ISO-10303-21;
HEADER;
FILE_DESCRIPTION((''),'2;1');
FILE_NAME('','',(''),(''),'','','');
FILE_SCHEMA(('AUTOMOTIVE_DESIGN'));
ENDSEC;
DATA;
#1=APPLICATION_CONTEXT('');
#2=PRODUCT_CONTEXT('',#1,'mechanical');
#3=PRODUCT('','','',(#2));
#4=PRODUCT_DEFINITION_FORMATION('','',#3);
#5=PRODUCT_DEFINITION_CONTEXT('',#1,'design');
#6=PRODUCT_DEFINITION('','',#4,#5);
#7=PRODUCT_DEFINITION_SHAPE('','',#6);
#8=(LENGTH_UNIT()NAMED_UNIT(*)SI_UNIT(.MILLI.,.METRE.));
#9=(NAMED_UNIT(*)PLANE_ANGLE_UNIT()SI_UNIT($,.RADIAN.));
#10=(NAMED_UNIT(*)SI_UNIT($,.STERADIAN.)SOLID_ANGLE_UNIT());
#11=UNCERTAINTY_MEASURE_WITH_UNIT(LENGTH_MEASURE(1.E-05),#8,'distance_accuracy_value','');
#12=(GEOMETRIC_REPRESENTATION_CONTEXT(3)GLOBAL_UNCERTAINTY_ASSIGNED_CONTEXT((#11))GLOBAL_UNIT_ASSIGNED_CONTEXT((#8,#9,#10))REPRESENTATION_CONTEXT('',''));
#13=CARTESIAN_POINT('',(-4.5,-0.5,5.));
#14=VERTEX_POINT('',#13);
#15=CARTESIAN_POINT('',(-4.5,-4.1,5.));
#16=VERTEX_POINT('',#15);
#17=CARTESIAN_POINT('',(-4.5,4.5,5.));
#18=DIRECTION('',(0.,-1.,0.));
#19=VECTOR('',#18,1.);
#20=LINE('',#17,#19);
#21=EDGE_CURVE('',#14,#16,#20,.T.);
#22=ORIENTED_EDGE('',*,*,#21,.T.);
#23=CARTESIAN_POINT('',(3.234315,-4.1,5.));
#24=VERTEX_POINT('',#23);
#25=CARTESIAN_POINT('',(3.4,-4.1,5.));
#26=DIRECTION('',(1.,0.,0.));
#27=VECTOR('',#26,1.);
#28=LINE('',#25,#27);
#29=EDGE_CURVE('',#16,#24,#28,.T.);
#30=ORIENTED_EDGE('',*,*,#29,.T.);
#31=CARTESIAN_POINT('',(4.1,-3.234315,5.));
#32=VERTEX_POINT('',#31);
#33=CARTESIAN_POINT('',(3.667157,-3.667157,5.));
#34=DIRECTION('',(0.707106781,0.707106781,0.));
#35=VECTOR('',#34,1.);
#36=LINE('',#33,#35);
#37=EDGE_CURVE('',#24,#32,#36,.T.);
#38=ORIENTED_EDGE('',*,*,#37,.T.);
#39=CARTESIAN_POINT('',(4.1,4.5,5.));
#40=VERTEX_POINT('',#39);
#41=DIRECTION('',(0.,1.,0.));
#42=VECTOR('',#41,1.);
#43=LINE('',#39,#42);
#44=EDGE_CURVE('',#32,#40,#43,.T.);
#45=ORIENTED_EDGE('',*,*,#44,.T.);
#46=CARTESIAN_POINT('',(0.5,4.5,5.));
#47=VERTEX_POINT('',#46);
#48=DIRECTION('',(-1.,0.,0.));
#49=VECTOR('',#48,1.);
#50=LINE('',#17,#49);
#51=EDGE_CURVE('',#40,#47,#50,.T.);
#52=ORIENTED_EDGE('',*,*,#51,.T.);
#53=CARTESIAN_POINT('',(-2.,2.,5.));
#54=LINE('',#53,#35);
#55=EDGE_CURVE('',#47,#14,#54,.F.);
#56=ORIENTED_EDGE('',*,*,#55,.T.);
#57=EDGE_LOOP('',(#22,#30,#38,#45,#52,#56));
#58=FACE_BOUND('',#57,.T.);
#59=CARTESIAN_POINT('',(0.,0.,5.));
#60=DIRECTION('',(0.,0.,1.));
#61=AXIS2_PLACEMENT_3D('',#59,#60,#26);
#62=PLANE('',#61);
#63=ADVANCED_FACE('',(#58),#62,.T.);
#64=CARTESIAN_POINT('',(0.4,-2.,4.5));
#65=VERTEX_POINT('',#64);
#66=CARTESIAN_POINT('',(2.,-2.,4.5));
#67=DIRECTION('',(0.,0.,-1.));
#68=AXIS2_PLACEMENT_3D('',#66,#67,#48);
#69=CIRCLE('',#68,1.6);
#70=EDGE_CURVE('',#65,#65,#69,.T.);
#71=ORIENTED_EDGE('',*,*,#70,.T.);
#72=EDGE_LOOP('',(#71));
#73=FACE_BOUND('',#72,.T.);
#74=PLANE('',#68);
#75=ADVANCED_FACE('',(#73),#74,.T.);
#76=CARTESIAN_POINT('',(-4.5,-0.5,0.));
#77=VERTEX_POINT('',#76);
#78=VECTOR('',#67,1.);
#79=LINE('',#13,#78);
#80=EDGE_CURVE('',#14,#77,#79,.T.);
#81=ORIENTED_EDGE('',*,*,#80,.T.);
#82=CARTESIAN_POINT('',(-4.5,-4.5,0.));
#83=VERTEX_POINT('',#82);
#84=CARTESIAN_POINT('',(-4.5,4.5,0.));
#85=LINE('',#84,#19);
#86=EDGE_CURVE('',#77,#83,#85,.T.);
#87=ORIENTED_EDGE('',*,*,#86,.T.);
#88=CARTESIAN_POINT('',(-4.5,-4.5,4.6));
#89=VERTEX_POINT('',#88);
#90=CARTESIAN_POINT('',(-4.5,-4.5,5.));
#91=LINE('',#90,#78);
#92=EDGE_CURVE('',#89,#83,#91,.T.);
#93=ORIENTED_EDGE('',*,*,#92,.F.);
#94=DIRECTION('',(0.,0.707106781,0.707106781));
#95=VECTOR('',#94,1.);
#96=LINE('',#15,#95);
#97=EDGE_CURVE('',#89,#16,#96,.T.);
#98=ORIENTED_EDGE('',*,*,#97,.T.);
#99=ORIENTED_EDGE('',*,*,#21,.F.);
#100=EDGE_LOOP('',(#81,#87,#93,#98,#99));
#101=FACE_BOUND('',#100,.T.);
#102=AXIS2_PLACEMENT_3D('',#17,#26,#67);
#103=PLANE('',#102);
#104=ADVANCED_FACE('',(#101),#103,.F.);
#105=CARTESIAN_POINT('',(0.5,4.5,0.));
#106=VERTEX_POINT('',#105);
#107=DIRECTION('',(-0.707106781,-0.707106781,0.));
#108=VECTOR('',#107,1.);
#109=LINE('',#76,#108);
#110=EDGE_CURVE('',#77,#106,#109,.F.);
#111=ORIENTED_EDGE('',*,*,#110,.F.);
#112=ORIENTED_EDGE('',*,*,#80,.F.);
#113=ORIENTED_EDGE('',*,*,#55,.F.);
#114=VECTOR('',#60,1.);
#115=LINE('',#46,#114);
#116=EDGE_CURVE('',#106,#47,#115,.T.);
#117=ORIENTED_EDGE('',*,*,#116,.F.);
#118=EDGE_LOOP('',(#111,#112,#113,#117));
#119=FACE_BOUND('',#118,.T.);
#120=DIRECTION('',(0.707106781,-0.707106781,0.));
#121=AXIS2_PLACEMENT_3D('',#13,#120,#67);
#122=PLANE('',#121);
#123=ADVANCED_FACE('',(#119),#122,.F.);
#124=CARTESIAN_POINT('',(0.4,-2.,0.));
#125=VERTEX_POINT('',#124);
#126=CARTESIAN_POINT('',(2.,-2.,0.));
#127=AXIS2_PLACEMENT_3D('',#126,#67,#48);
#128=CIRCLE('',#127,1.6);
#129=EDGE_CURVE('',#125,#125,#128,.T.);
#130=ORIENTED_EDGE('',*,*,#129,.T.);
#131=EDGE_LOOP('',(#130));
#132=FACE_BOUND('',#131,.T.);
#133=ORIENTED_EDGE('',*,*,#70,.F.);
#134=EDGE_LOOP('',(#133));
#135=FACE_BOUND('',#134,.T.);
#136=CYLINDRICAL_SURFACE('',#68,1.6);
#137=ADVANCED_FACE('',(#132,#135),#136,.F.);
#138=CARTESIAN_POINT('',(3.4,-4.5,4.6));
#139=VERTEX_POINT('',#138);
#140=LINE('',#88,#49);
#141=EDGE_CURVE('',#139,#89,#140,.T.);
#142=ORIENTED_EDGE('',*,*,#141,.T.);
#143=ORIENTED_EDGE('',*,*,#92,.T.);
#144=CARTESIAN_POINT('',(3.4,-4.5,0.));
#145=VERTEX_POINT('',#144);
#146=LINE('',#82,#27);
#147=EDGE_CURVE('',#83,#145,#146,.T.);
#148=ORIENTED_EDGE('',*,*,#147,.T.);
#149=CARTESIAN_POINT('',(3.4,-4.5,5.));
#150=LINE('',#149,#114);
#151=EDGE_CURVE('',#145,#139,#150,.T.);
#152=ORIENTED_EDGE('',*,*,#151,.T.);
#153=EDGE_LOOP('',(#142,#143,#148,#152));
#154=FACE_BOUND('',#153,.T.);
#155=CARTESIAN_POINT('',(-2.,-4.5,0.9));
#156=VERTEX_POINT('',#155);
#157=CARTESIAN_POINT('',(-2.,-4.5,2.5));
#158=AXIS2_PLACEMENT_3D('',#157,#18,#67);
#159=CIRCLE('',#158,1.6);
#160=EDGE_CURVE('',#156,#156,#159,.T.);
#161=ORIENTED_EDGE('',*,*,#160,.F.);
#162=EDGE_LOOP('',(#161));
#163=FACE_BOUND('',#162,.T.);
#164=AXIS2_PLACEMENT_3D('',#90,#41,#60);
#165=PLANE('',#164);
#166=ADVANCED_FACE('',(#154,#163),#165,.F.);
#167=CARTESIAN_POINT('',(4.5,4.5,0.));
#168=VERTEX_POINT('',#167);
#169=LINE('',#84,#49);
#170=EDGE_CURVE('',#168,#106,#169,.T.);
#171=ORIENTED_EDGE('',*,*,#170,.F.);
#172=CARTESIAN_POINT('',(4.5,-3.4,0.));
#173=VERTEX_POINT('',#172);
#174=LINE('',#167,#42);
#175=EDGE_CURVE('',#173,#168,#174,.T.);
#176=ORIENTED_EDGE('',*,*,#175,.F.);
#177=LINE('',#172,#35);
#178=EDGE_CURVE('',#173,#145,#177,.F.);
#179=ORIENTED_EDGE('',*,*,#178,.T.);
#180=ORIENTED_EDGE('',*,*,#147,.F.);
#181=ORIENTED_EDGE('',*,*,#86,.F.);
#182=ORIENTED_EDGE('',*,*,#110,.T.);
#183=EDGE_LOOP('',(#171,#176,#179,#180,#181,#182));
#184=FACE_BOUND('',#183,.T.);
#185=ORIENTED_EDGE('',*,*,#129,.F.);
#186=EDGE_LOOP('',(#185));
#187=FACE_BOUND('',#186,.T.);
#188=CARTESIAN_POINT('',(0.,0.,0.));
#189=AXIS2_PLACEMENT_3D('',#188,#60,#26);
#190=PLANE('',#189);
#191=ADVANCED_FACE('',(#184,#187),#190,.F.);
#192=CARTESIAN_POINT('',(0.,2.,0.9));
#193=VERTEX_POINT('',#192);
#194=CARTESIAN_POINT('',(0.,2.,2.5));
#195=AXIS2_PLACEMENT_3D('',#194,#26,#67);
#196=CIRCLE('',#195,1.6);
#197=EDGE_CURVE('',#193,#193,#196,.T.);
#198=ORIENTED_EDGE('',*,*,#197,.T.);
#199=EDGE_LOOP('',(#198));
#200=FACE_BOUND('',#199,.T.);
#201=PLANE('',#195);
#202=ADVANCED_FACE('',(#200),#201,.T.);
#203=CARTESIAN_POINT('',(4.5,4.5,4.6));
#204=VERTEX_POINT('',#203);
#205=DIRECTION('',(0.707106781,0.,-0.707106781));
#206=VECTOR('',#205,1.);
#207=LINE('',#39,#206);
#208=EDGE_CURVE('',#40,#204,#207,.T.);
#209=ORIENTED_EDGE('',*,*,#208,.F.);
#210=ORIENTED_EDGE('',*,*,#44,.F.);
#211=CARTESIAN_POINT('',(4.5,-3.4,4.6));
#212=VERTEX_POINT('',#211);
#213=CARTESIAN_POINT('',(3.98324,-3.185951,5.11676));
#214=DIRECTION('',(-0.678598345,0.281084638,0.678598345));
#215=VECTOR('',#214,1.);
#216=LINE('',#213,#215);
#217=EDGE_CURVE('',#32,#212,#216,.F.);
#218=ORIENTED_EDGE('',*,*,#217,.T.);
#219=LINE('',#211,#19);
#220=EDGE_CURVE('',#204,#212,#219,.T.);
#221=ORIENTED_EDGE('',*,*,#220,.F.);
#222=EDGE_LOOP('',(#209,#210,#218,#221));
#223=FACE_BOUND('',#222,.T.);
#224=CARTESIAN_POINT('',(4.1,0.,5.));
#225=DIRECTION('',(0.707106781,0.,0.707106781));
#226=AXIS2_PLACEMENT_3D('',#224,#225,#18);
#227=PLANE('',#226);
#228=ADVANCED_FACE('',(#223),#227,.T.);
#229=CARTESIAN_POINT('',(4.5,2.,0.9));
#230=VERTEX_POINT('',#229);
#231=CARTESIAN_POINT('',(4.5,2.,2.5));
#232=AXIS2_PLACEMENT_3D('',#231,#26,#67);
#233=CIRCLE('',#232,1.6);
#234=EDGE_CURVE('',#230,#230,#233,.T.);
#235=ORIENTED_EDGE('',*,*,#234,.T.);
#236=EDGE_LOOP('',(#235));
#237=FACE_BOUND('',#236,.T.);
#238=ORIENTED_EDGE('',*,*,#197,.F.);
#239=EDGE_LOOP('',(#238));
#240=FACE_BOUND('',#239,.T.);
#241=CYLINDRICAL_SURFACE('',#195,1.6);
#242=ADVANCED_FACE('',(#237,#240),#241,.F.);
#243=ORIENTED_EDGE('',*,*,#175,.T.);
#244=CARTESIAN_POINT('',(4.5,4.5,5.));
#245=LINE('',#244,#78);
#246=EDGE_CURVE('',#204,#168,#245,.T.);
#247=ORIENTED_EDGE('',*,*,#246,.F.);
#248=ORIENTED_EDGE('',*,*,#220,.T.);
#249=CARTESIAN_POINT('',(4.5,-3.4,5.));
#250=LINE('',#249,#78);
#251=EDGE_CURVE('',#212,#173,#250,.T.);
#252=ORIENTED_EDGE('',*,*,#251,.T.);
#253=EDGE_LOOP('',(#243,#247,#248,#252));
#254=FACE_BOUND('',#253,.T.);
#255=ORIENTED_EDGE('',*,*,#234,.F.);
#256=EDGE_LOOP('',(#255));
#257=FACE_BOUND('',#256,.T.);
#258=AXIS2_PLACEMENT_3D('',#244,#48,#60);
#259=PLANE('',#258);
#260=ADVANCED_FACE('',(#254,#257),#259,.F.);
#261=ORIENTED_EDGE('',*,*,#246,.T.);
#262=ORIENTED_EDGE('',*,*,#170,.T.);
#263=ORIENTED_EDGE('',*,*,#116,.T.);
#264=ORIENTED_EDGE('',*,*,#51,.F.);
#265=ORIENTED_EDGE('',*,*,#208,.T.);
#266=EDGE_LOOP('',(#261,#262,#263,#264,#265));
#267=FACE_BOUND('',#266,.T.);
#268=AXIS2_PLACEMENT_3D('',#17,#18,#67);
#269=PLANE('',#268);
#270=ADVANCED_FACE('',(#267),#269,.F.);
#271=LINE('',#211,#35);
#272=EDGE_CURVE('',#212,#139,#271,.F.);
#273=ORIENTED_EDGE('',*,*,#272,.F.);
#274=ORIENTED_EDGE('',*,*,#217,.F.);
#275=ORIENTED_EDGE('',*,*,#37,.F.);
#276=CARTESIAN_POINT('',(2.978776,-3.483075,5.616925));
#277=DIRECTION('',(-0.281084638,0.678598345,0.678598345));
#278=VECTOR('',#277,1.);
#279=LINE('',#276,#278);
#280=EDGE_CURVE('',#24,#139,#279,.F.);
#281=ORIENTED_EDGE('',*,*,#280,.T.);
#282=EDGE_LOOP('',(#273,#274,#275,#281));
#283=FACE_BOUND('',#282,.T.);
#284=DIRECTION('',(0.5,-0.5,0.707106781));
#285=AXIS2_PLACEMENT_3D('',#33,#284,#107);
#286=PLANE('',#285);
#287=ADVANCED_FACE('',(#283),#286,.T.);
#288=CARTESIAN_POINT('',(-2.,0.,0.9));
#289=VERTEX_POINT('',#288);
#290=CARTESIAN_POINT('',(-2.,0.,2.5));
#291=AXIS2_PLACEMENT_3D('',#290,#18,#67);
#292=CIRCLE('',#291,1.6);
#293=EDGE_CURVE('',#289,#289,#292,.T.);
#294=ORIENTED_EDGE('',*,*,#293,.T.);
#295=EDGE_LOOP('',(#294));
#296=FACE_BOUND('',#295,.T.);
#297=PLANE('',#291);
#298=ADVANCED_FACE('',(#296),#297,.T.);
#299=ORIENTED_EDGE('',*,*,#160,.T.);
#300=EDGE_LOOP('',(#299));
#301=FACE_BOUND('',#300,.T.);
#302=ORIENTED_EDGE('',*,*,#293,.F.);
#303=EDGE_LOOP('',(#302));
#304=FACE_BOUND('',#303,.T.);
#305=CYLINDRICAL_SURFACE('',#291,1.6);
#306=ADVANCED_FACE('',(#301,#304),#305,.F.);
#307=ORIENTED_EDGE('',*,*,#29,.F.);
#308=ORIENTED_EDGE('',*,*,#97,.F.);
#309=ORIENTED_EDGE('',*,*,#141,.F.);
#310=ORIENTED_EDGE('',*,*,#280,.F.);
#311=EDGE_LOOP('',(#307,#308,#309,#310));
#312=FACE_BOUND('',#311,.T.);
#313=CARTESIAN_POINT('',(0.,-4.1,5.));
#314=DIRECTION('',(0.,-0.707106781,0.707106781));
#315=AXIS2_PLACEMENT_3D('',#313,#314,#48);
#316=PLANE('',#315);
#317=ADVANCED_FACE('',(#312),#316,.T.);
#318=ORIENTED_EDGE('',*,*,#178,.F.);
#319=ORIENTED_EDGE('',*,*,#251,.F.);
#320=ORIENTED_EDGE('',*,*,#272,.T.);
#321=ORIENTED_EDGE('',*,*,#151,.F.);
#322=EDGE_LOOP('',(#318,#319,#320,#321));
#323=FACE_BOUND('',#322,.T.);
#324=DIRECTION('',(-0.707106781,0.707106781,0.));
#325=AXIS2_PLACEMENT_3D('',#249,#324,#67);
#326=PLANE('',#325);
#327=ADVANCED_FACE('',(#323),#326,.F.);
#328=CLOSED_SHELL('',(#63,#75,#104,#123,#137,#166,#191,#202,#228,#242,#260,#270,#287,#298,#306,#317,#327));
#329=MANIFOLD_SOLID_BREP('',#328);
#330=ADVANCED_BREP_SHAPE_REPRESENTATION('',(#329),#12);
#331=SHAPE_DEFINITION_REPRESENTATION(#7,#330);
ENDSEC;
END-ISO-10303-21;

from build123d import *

# Parameters (mm, degrees)
SKETCH1_W           = 9
SKETCH1_H           = 9
BOSS_EXTRUDE1_DEPTH = 5
SKETCH2_R           = 1.6
CUT_EXTRUDE1_DEPTH  = 4.5
SKETCH3_R           = 1.6
CUT_EXTRUDE2_DEPTH  = 4.5
SKETCH4_R           = 1.6
CUT_EXTRUDE3_DEPTH  = 4.5
CHAMFER1_SIZE       = 1.1
CHAMFER2_SIZE       = 5
CHAMFER3_SIZE       = 0.4


with BuildPart() as part:
    # Sketch1 → Boss-Extrude1 (new body)
    with BuildSketch(Plane.XY):
        Rectangle(SKETCH1_W, SKETCH1_H)
    extrude(amount=BOSS_EXTRUDE1_DEPTH)

    # Sketch2 → Cut-Extrude1 (cut)
    with BuildSketch(Plane(origin=(0, 0, 0), x_dir=(-1, 0, 0), z_dir=(0, 0, -1))):
        with Locations((-2, -2)):
            Circle(SKETCH2_R)
    extrude(amount=-CUT_EXTRUDE1_DEPTH, mode=Mode.SUBTRACT)

    # Sketch3 → Cut-Extrude2 (cut)
    with BuildSketch(Plane(origin=(4.5, 0, 0), x_dir=(0, 0, -1), z_dir=(1, 0, 0))):
        with Locations((-2.5, 2)):
            Circle(SKETCH3_R)
    extrude(amount=-CUT_EXTRUDE2_DEPTH, mode=Mode.SUBTRACT)

    # Sketch4 → Cut-Extrude3 (cut)
    with BuildSketch(Plane.XZ.offset(4.5)):
        with Locations((-2, 2.5)):
            Circle(SKETCH4_R)
    extrude(amount=-CUT_EXTRUDE3_DEPTH, mode=Mode.SUBTRACT)

    # Chamfer1
    chamfer1_edges = [part.edges().sort_by_distance(p)[0] for p in [
        (4.5, -4.5, 2.5),
    ]]
    chamfer(chamfer1_edges, length=CHAMFER1_SIZE)

    # Chamfer2
    chamfer2_edges = [part.edges().sort_by_distance(p)[0] for p in [
        (-4.5, 4.5, 2.5),
    ]]
    chamfer(chamfer2_edges, length=CHAMFER2_SIZE)

    # Chamfer3
    chamfer3_edges = [part.edges().sort_by_distance(p)[0] for p in [
        (4.5, 0.55, 5),
        (3.95, -3.95, 5),
        (-0.55, -4.5, 5),
    ]]
    chamfer(chamfer3_edges, length=CHAMFER3_SIZE)


solid = part.part
